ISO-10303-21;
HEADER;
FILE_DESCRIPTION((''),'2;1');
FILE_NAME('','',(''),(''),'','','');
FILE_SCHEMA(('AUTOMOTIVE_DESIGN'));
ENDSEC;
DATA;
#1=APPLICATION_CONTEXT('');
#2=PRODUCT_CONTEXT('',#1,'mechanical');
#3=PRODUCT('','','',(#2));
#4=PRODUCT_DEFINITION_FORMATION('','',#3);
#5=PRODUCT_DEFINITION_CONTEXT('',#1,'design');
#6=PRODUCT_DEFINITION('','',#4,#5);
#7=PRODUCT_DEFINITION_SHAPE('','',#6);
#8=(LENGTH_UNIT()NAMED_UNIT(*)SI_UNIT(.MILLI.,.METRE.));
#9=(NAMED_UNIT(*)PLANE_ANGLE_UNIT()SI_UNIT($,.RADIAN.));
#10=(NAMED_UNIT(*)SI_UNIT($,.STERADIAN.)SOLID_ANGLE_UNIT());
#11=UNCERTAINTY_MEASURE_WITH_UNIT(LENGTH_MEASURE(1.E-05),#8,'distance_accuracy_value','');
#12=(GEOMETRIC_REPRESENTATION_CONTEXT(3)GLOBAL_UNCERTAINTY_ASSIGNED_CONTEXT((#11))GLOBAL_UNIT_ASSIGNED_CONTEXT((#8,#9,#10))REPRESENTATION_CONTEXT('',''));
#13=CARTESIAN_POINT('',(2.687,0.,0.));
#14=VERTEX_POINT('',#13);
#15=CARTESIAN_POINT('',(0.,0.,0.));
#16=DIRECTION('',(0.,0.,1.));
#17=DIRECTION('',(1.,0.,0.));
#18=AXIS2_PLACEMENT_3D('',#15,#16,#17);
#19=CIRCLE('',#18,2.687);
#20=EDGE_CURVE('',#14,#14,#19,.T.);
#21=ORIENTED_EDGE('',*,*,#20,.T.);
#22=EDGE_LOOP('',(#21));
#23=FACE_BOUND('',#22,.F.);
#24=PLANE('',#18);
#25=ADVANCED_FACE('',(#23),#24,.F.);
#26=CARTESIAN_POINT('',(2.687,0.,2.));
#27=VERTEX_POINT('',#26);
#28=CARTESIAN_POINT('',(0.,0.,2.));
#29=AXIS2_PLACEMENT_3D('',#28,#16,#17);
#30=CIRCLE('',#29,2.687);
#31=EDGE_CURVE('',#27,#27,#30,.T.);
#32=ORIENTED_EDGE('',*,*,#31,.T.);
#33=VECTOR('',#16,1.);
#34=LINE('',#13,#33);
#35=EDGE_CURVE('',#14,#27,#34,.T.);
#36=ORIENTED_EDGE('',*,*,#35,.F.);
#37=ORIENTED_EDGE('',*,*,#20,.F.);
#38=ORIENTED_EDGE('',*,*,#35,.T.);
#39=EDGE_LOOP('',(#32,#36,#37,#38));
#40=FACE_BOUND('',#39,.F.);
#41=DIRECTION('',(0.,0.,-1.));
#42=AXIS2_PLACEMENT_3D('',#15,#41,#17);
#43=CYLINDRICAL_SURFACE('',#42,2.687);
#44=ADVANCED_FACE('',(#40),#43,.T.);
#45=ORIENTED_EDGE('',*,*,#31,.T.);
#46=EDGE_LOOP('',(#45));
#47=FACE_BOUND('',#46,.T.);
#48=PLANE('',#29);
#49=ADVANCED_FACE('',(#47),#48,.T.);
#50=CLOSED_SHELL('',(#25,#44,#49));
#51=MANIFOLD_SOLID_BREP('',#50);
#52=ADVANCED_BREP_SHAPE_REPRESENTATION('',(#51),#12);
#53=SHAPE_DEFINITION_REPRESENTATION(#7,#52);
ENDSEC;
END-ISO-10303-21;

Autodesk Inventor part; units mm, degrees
ref_plane "YZ Plane" through (0, 0, 0) normal (1, 0, 0) x (0, 1, 0)
ref_plane "XZ Plane" through (0, 0, 0) normal (0, 1, 0) x (-1, 0, 0)
ref_plane "XY Plane" through (0, 0, 0) normal (0, 0, 1) x (1, 0, 0)
sketch "Sketch1" plane through (0, 0, 0) normal (0, 0, 1) x (1, 0, 0)
  arc A0 (19.34, 27.5) -> (15.1432, 23.6188) centre (20.2446, 22.3122) ccw projected
  ellipse E0 centre (10.3798, 24.0498) end of major axis (5.6164, 24.4807) minor radius 4.1297 (15.017, 22.9479) -> (15.1432, 23.6188) ccw projected
  arc A1 (15.1432, 23.6188) -> (15.017, 22.9479) centre (20.2446, 22.3122) ccw projected
  ellipse E1 centre (10.3798, 24.0498) end of major axis (15.1432, 23.6188) minor radius 4.1297 (15.1432, 23.6188) -> (12.9076, 27.5) ccw projected
  line L0 (19.34, 27.5) -> (12.9076, 27.5) projected
  arc A2 (-39.3309, 27.5) -> (-40.6675, 25.4611) centre (-22.0465, 14.7112) ccw projected
  spline S0 degree 3 poles (-36.653, 23.7418) (-36.6606, 23.7128) (-36.6686, 23.684) (-36.7991, 23.2374) (-37.003, 22.8436) (-37.4852, 22.2335) (-37.7387, 21.9969) (-38.2828, 21.6418) (-38.5675, 21.5137) (-39.1231, 21.3843) (-39.3904, 21.368) (-39.8134, 21.4302) (-39.973, 21.4755) (-40.1234, 21.542) (-40.4076, 21.6676) (-40.656, 21.8705) (-40.9477, 22.2598) (-41.0339, 22.4145) (-41.2588, 22.9573) (-41.3118, 23.3772) (-41.242, 24.3141) (-41.0671, 24.8281) (-40.751, 25.3396) (-40.7103, 25.401) (-40.6675, 25.4611) knots -2.04297 -2.04297 -2.04297 -2.04297 -2.033998 -2.033998 -1.903383 -1.903383 -1.8007 -1.8007 -1.70847 -1.70847 -1.629539 -1.629539 -1.580207 -1.580207 -1.580207 -1.486994 -1.486994 -1.434286 -1.434286 -1.31073 -1.31073 -1.152429 -1.152429 -1.130329 -1.130329 -1.130329 -1.130329 projected
  arc A3 (-33.7904, 27.5) -> (-36.653, 23.7418) centre (-28.9143, 20.8166) ccw projected
  line L1 (-28.5459, 27.5) -> (-33.7904, 27.5) projected
  arc A4 (-28.5459, 27.5) -> (-24.1154, 23.7029) centre (-15.1131, 38.6898) ccw projected
  arc A5 (-24.1154, 23.7029) -> (-33.0724, 15.676) centre (-20.6959, 10.8762) ccw projected
  arc A6 (-33.0724, 15.676) -> (-34.9124, -1.3721) centre (-5.25, 4.0498) ccw projected
  arc A7 (-34.9124, -1.3721) -> (-41.9254, -12.6146) centre (-23.9, -16.0502) ccw projected
  arc A8 (-41.9254, -12.6146) -> (-28.5956, -16.8849) centre (-31, -1.4502) ccw projected
  arc A9 (-28.5956, -16.8849) -> (16.976, -25.5478) centre (-0.4792, 6.8253) ccw projected
  arc A10 (16.976, -25.5478) -> (30.0763, -26.2375) centre (24.3257, -10.7068) ccw projected
  arc A11 (30.0763, -26.2375) -> (27.2801, -16.1178) centre (15.4592, -24.8303) ccw projected
  arc A12 (27.2801, -16.1178) -> (29.9552, -2.5721) centre (8.0722, -5.2875) ccw projected
  arc A13 (29.9552, -2.5721) -> (23.4312, 19.4757) centre (20.2446, 6.5436) ccw projected
  arc A14 (23.4312, 19.4757) -> (21.0581, 26.5) centre (20.2446, 22.3122) ccw projected
  line L2 (21.0581, 26.5) -> (22.4374, 26.5) projected
  arc A15 (23.4374, 27.5) -> (22.4374, 26.5) centre (23.4374, 26.5) ccw projected
  line L3 (90.6006, 27.5) -> (23.4374, 27.5) projected
  line L4 (90.6006, 35.5016) -> (90.6006, 27.5) projected
  line L5 (-41.1756, 35.5016) -> (90.6006, 35.5016) projected
  arc A16 (-43.1756, 37.5016) -> (-41.1756, 35.5016) centre (-41.1756, 37.5016) ccw projected
  line L6 (-43.1756, 130.5) -> (-43.1756, 37.5016) projected
  arc A17 (-41.1756, 132.5) -> (-43.1756, 130.5) centre (-41.1756, 130.5) ccw projected
  line L7 (90.6006, 132.5) -> (-41.1756, 132.5) projected
  line L8 (90.6006, 140.5) -> (90.6006, 132.5) projected
  line L9 (-46.6006, 140.5) -> (90.6006, 140.5) projected
  arc A18 (-46.6006, 140.5) -> (-50.6006, 136.5) centre (-46.6006, 136.5) ccw projected
  line L10 (-50.6006, 31.5) -> (-50.6006, 136.5) projected
  arc A19 (-50.6006, 31.5) -> (-46.6006, 27.5) centre (-46.6006, 31.5) ccw projected
  line L11 (-39.3309, 27.5) -> (-46.6006, 27.5) projected
  ellipse E2 centre (9.5858, 24.0498) end of major axis (5.148, 24.0498) minor radius 3.9921 projected
  ellipse E3 centre (-7, 5) end of major axis (-10, 5) minor radius 2.4928 projected
  arc A20 (-34.1817, -3.1484) -> (-29.5706, -15.0085) centre (105.9158, 44.4945) ccw projected
  arc A21 (-39.7014, -11.76) -> (-29.5706, -15.0085) centre (-29.0305, 4.0974) ccw projected
  arc A22 (-34.1817, -3.1484) -> (-39.7014, -11.76) centre (-21.1644, -17.5666) ccw projected
  arc A23 (14.6041, 2.032) -> (13, 1) centre (14.3758, 0.6242) ccw projected
  arc A24 (13, 1) -> (11.0739, 2.9743) centre (10, 0) ccw projected
  ellipse E4 centre (12.8441, 3) end of major axis (12.8441, 12) minor radius 1.7702 (14.6041, 2.032) -> (11.0739, 2.9743) ccw projected
  circle A25 centre (22, -1.4502) radius 2.7388 projected
  circle A26 centre (0, 0) radius 2.8284 projected
  arc A27 (21.1775, -24.9987) -> (27.4696, -19.1953) centre (6.8467, -3.1484) ccw projected
  arc A28 (27.9278, -24.9172) -> (27.4696, -19.1953) centre (9.7342, -23.4947) ccw projected
  arc A29 (21.1775, -24.9987) -> (27.9278, -24.9172) centre (24.3663, -9.517) ccw projected
  ellipse E5 centre (20.2446, 22.5631) end of major axis (24.2633, 22.2872) minor radius 3.5714 projected
  ellipse E6 centre (28.4561, 1.7414) end of major axis (25.9246, 1.7414) minor radius 2.1289 projected
  circle A30 centre (0, 0) radius 2.687
extrude "Extrusion1" add sketch "Sketch1" along normal blind 2 contours A30
properties part number "RightEyePeach"
